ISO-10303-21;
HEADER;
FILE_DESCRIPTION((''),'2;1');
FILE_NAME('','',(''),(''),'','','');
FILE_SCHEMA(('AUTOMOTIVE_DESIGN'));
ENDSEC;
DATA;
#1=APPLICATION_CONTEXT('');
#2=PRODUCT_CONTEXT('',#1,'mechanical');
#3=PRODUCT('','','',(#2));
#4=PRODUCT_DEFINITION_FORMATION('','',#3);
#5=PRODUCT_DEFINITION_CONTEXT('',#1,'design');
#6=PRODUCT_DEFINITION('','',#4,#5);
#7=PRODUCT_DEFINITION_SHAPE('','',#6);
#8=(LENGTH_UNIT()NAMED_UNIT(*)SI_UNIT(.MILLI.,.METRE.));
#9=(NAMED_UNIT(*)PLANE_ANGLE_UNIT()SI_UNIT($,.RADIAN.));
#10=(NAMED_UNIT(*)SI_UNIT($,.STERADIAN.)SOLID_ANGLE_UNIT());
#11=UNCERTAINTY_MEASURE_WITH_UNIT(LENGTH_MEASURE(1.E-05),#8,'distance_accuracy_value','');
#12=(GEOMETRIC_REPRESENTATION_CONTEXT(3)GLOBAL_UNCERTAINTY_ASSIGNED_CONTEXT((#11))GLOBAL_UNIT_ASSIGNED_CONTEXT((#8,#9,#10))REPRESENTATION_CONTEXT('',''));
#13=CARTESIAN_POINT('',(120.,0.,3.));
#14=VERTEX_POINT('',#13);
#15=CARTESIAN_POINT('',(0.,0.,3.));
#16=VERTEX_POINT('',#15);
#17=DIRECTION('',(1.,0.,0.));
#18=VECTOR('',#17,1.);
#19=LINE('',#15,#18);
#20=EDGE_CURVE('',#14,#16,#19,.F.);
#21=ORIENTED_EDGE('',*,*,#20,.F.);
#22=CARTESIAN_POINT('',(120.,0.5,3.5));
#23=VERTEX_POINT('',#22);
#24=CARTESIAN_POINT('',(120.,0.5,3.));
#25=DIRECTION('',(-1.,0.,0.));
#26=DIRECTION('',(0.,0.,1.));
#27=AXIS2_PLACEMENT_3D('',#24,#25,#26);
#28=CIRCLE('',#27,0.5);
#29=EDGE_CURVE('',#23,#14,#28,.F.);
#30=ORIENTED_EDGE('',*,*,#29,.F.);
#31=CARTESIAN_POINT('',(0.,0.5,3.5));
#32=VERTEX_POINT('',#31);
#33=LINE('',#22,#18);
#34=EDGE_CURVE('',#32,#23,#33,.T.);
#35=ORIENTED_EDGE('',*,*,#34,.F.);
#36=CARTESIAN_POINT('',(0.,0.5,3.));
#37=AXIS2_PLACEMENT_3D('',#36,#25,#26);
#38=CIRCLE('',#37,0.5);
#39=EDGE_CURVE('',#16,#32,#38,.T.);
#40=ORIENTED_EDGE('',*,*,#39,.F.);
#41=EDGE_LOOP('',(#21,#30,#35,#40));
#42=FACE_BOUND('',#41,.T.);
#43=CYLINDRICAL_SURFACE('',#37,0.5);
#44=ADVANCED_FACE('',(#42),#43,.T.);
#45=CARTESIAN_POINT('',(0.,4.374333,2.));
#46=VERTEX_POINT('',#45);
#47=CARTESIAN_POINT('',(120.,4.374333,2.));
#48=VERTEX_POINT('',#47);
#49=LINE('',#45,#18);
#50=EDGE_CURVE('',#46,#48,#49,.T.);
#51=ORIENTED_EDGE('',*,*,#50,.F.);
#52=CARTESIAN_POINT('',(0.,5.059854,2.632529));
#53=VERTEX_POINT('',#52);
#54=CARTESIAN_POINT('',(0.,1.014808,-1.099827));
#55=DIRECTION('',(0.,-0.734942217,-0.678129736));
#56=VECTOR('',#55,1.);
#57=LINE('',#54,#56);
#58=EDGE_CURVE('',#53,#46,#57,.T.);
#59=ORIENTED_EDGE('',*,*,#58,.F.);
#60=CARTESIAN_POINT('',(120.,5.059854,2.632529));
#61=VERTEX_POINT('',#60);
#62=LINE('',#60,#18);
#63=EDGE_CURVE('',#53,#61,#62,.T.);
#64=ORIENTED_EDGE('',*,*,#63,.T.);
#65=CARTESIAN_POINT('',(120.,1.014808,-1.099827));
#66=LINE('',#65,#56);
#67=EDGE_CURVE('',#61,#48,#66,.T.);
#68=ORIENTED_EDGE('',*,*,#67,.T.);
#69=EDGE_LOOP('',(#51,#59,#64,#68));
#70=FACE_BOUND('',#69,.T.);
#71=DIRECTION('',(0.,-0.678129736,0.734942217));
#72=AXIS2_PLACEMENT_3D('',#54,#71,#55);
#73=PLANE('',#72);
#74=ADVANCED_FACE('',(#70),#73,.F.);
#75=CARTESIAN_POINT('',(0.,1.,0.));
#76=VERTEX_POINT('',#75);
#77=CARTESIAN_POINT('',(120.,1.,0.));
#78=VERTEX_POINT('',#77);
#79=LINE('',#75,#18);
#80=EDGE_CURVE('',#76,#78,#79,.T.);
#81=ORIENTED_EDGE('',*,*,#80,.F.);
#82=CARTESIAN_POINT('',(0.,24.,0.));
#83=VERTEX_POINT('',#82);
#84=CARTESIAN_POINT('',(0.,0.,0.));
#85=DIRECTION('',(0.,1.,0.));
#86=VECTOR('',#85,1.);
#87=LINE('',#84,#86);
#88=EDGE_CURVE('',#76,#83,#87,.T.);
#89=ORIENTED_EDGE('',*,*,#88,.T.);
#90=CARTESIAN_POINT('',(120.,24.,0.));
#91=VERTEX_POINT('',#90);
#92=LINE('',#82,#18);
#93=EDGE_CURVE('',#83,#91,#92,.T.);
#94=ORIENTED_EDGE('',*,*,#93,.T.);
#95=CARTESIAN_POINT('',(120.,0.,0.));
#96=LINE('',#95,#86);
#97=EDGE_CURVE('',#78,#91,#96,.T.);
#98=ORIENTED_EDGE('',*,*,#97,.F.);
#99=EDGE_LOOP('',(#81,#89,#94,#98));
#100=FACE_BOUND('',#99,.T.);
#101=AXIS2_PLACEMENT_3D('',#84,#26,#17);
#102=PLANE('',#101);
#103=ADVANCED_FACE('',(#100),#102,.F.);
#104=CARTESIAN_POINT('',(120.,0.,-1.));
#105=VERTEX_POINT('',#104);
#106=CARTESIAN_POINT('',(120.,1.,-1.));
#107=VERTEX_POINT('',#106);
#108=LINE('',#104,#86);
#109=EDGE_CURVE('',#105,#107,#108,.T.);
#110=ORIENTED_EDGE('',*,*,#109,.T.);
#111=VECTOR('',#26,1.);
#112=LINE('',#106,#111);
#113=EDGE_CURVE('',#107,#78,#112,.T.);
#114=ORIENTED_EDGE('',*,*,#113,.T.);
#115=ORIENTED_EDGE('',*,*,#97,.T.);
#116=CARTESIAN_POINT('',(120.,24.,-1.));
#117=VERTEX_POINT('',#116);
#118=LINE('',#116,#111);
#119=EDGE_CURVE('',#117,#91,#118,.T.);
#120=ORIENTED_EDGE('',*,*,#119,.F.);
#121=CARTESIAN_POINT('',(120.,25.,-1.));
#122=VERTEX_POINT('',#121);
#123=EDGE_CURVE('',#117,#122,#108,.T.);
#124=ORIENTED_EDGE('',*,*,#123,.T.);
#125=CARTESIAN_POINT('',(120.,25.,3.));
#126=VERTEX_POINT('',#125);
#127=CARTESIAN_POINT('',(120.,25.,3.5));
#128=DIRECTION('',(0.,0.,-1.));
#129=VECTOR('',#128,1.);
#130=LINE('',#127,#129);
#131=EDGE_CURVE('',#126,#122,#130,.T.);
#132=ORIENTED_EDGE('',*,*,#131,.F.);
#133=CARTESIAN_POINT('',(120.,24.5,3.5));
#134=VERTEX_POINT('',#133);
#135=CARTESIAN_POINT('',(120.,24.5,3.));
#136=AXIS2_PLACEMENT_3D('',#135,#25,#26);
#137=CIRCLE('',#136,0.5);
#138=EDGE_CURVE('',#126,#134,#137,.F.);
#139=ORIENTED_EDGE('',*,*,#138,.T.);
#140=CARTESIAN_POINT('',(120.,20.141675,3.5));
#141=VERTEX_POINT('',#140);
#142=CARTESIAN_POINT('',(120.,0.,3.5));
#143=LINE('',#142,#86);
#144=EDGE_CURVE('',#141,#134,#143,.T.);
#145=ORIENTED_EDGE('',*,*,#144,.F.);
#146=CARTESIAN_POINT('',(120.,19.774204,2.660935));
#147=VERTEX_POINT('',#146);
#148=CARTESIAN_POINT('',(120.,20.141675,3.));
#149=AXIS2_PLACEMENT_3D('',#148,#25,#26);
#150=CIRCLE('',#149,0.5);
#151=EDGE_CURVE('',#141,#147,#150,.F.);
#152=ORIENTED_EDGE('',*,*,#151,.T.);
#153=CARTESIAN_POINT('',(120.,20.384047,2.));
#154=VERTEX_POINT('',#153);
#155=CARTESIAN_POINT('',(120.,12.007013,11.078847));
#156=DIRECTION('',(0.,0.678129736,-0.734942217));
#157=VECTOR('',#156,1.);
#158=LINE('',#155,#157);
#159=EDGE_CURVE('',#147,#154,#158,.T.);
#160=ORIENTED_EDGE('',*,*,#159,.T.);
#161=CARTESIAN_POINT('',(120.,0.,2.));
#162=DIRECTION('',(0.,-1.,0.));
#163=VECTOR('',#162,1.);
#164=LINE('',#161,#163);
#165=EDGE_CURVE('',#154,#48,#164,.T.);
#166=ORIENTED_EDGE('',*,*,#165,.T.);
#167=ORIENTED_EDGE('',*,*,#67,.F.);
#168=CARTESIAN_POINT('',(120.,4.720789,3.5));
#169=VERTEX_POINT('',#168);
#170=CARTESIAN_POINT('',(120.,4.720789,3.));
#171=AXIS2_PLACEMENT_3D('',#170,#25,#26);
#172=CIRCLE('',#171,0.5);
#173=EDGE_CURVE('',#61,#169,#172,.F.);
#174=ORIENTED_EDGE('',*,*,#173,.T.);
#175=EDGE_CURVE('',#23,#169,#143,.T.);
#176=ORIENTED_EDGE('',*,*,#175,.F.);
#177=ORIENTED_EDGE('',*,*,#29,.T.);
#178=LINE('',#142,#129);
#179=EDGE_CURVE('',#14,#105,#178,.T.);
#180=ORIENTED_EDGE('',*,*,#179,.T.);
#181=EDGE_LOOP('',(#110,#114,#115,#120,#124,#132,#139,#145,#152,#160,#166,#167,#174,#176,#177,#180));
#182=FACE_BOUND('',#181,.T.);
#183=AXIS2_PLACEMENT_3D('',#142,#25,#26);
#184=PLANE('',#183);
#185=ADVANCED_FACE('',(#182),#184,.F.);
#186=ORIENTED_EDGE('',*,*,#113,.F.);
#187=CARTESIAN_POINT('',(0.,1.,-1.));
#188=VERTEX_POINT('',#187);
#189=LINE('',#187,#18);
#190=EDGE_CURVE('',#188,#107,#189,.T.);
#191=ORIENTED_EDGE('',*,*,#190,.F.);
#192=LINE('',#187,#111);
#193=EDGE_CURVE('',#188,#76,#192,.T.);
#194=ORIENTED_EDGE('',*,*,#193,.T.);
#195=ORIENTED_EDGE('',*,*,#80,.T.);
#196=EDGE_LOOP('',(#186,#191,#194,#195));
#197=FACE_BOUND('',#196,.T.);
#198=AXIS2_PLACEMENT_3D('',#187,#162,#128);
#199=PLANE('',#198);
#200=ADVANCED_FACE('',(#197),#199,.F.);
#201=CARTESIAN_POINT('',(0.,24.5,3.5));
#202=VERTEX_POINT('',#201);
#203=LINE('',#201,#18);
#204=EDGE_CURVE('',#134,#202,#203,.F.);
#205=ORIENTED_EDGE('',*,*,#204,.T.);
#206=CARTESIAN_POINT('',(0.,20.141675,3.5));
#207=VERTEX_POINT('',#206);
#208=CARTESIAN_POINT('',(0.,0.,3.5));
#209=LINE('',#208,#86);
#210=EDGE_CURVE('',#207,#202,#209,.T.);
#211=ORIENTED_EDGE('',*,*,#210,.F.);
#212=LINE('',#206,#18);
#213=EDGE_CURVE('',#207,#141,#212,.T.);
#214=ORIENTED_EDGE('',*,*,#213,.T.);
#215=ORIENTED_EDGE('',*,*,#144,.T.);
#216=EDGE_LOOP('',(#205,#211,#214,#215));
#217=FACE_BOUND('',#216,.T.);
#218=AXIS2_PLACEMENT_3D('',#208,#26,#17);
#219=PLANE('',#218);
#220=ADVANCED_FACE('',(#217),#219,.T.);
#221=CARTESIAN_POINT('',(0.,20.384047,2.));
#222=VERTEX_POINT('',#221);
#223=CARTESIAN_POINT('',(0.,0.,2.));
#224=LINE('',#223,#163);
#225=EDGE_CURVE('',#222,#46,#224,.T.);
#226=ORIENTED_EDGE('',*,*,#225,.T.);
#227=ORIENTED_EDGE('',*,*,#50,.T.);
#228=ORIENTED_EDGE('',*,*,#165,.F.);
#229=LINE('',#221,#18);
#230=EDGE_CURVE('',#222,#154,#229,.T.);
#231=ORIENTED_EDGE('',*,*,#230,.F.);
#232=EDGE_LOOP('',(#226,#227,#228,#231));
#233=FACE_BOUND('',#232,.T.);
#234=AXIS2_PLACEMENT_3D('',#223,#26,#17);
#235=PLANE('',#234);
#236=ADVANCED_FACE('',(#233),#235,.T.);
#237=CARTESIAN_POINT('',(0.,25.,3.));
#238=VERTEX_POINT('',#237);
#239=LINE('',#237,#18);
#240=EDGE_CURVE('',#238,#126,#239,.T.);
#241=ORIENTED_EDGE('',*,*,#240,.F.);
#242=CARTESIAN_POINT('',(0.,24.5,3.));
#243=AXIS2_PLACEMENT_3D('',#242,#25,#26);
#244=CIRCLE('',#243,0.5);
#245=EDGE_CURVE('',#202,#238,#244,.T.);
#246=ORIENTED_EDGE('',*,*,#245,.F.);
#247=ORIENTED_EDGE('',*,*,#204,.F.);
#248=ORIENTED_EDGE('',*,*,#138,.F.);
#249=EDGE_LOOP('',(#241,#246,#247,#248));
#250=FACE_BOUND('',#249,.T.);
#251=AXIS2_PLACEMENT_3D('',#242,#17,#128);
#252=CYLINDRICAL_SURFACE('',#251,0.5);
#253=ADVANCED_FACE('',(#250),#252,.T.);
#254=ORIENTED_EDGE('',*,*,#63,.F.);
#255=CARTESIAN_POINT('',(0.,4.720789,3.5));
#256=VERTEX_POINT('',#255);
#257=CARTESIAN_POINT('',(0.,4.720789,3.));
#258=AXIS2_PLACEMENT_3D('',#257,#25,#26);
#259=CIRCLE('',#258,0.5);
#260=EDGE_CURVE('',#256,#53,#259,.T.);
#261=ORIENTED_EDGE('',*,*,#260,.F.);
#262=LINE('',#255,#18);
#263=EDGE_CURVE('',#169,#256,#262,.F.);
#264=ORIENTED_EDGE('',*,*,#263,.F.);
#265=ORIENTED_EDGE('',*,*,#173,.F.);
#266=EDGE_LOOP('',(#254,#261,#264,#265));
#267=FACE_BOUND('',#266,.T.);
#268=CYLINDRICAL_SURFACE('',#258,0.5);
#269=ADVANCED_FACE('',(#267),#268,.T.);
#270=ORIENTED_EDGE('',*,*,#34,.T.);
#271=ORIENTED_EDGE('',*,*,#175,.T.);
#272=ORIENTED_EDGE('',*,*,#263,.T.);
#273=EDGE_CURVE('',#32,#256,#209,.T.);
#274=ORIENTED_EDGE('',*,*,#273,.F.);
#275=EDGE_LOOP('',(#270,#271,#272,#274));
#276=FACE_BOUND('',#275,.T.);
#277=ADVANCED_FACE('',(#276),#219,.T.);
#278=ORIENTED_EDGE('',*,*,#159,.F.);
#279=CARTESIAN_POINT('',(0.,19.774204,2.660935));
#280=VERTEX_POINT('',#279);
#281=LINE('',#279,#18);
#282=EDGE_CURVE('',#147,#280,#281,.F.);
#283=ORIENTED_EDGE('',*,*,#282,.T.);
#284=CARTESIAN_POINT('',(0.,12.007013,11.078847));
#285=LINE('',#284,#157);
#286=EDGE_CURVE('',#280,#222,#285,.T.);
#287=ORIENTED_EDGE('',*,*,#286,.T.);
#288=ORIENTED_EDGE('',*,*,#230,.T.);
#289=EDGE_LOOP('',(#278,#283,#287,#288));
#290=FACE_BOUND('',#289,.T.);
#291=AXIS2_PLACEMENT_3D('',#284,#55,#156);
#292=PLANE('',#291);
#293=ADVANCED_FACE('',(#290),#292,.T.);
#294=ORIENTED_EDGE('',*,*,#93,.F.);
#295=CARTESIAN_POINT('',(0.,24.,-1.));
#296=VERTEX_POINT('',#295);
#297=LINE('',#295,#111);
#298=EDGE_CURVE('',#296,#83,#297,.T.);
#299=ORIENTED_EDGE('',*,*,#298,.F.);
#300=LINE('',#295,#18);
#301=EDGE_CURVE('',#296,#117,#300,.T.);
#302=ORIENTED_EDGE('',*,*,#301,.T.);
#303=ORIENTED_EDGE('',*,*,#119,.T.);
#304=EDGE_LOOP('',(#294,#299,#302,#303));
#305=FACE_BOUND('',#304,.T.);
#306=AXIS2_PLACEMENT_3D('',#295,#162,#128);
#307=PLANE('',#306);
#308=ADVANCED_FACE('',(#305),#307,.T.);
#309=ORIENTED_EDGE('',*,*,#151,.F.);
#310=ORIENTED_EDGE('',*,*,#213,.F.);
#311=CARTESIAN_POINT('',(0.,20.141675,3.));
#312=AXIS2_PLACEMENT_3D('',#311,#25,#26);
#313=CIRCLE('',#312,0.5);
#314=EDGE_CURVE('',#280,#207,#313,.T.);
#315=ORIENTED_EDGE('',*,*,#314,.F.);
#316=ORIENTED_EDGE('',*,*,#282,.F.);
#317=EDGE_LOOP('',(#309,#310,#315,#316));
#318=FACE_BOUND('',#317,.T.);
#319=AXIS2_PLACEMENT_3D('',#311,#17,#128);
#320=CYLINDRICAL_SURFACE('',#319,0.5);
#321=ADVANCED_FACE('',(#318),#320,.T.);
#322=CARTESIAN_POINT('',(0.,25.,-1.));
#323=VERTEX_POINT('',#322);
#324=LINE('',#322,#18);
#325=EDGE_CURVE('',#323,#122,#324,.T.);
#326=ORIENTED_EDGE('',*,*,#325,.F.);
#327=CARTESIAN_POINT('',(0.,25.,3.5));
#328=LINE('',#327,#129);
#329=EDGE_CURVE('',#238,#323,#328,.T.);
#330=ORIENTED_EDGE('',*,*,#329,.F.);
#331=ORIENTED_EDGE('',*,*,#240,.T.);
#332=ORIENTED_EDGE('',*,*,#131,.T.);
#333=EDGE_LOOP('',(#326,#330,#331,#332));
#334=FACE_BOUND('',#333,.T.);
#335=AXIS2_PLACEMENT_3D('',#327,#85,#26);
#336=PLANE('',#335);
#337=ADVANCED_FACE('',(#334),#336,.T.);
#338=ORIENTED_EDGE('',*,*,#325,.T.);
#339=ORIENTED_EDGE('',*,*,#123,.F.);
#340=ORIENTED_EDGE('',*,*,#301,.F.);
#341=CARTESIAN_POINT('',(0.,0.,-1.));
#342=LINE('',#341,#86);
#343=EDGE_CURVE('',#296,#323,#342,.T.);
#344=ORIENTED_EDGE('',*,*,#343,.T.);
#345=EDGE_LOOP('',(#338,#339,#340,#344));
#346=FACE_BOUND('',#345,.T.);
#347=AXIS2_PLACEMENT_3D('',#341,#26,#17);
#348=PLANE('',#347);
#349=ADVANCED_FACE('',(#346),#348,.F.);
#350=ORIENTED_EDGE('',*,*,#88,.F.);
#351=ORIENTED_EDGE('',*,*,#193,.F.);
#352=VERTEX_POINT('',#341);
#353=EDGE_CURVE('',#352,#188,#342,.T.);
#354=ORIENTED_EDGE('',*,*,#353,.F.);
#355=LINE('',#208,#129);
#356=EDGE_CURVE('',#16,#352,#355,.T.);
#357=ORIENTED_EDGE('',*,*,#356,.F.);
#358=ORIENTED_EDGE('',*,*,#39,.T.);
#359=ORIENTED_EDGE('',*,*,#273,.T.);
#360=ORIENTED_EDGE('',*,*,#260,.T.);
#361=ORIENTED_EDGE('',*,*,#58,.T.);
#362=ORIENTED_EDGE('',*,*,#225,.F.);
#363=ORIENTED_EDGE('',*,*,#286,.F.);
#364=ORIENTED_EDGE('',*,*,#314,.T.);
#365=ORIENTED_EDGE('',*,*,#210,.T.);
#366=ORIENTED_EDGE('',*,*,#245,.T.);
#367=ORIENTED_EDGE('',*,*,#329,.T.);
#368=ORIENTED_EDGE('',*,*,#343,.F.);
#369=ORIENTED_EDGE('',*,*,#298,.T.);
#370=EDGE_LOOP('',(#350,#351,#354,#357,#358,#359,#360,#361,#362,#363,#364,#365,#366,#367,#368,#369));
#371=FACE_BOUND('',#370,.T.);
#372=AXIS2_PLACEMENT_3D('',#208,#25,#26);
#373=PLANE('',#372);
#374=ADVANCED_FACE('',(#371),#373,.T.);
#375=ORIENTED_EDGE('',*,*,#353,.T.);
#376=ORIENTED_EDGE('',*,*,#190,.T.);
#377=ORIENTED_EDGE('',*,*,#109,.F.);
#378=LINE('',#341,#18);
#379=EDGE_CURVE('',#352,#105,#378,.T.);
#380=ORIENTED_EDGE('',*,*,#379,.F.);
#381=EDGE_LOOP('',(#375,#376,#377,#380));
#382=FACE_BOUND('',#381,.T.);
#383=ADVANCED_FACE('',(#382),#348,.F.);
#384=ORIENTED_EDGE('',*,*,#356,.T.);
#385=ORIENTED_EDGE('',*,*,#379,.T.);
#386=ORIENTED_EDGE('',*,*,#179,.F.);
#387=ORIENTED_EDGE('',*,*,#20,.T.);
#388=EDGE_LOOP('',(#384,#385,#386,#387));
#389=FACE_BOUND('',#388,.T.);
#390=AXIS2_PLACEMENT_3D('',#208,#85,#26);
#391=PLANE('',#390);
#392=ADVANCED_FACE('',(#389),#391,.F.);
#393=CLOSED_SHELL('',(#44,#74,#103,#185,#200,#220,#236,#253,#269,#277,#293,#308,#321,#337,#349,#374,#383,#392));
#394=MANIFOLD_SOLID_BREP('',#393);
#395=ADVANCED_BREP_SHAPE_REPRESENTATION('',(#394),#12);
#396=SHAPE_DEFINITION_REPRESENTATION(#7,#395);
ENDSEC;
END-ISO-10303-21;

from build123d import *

# Parameters (mm, degrees)
SKETCH1_W           = 120
SKETCH1_H           = 25
BOSS_EXTRUDE1_DEPTH = 3.5
SKETCH1_3_W         = 120
SKETCH1_3_H         = 1
BOSS_EXTRUDE2_DEPTH = 1
CUT_EXTRUDE1_DEPTH  = 121
FILLET1_R           = 0.5
FILLET2_R           = 0.5


with BuildPart() as part:
    # Sketch1 → Boss-Extrude1 (new body)
    with BuildSketch(Plane.XY):
        with Locations((60, 12.5)):
            Rectangle(SKETCH1_W, SKETCH1_H)
    extrude(amount=BOSS_EXTRUDE1_DEPTH)

    # Sketch1<3> → Boss-Extrude2 (add)
    with BuildSketch(Plane.XY):
        with Locations((60, 24.5)):
            Rectangle(SKETCH1_3_W, SKETCH1_3_H)
        with Locations((60, 0.5)):
            Rectangle(SKETCH1_3_W, SKETCH1_3_H)
    extrude(amount=-BOSS_EXTRUDE2_DEPTH)

    # Sketch3 → Cut-Extrude1 (cut, through all)
    with BuildSketch(Plane(origin=(120, 0, 0), x_dir=(0, 0, -1), z_dir=(1, 0, 0))):
        Polygon((-2, 20.384047046), (-3.5, 19), (-3.5, 6), (-2, 4.374332717), align=None)
    extrude(amount=-CUT_EXTRUDE1_DEPTH, mode=Mode.SUBTRACT)

    # Fillet1
    fillet1_edges = [part.edges().sort_by_distance(p)[0] for p in [
        (60, 19, 3.5),
        (60, 6, 3.5),
    ]]
    fillet(fillet1_edges, radius=FILLET1_R)

    # Fillet2
    fillet2_edges = [part.edges().sort_by_distance(p)[0] for p in [
        (60, 0, 3.5),
        (60, 25, 3.5),
    ]]
    fillet(fillet2_edges, radius=FILLET2_R)


solid = part.part
